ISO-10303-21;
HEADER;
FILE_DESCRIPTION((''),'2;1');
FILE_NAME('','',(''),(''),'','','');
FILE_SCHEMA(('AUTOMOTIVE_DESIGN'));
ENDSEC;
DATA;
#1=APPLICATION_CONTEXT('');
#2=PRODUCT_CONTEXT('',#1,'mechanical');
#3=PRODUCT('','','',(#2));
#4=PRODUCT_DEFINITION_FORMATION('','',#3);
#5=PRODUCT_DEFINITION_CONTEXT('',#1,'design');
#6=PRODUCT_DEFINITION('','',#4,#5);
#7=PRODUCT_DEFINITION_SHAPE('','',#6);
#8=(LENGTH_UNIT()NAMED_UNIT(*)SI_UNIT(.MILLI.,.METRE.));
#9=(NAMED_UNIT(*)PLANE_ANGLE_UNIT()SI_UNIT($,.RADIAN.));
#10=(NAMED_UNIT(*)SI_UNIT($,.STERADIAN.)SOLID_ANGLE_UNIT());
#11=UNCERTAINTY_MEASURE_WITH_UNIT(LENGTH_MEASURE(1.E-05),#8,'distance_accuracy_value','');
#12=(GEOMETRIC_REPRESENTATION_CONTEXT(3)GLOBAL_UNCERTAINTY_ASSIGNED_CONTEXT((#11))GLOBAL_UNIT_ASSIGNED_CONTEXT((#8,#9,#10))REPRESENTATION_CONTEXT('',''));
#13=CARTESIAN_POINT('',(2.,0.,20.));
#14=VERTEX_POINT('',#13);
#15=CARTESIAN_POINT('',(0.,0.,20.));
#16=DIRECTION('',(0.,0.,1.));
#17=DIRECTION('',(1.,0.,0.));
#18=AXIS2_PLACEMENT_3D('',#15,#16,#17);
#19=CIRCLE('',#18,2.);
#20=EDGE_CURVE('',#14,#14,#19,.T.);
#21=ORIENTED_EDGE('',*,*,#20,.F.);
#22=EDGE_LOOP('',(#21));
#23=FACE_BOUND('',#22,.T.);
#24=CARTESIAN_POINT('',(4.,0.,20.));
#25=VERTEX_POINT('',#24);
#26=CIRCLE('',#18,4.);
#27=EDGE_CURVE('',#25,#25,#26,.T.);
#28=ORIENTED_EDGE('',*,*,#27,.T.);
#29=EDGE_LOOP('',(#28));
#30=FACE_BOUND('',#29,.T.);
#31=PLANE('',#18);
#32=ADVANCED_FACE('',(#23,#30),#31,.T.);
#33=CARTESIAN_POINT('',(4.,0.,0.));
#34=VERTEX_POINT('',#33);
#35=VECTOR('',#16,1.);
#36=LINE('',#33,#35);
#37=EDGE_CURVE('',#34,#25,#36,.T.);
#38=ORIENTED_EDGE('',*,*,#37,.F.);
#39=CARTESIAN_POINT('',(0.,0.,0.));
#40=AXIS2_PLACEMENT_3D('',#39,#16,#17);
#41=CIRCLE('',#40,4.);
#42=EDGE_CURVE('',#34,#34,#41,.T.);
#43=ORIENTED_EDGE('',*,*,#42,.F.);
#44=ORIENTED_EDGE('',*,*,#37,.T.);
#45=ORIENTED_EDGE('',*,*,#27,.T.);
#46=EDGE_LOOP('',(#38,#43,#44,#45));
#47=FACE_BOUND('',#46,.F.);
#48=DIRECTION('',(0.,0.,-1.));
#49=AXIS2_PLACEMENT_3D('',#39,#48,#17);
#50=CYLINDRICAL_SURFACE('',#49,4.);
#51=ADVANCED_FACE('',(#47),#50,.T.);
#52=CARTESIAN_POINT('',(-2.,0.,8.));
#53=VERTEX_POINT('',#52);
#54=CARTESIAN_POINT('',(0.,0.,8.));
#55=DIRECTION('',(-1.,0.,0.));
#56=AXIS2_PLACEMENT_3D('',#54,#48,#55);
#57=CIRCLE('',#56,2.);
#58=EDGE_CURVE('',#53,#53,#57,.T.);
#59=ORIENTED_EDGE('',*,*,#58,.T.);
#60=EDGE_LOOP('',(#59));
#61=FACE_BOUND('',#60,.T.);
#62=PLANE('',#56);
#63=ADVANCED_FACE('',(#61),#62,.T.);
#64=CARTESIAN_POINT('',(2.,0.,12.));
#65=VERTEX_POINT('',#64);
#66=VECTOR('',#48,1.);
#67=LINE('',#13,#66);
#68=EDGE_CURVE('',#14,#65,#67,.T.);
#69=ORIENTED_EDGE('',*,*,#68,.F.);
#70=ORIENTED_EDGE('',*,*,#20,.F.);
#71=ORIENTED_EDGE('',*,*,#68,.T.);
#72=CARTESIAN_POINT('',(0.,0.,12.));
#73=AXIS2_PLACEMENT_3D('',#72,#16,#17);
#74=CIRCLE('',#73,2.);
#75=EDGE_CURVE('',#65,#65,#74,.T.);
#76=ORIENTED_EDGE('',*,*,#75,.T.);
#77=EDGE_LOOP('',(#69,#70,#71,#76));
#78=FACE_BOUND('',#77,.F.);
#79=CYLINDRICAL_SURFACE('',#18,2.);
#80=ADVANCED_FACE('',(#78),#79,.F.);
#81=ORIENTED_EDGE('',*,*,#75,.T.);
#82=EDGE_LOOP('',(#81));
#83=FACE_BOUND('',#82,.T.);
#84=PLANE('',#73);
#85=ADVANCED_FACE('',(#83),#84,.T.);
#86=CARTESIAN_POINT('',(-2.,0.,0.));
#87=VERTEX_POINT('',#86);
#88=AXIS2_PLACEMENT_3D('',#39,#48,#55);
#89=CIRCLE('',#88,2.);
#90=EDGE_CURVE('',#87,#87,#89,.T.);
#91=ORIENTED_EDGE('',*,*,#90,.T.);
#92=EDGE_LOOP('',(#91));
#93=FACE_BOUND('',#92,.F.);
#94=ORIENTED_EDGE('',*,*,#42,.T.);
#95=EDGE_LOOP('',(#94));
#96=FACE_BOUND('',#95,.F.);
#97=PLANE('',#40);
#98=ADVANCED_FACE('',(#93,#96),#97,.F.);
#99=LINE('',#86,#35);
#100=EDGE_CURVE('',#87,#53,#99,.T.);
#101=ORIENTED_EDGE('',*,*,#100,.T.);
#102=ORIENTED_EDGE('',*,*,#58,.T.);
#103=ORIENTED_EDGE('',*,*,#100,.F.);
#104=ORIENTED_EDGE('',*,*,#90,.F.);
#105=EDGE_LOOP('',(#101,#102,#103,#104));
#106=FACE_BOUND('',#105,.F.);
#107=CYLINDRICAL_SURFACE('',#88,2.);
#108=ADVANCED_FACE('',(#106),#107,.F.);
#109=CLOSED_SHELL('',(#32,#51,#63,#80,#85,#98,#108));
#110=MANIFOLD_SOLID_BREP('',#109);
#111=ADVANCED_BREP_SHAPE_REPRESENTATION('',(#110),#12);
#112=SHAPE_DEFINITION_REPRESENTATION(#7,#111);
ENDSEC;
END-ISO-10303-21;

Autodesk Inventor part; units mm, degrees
ref_plane "YZ Plane" through (0, 0, 0) normal (1, 0, 0) x (0, 1, 0)
ref_plane "XZ Plane" through (0, 0, 0) normal (0, 1, 0) x (-1, 0, 0)
ref_plane "XY Plane" through (0, 0, 0) normal (0, 0, 1) x (1, 0, 0)
sketch "スケッチ1" plane through (0, 0, 0) normal (0, 0, 1) x (1, 0, 0)
  circle A0 centre (0, 0) radius 4
  dimension "d1" = 8
extrude "押し出し2" add sketch "スケッチ1" along normal blind 20
sketch "スケッチ2" plane through (0, 0, 0) normal (0, 0, -1) x (-1, 0, 0)
  circle A0 centre (0, 0) radius 2
  dimension "d6" = 4
extrude "押し出し3" cut sketch "スケッチ2" against normal blind 8
sketch "スケッチ3" plane through (0, 0, 20) normal (0, 0, 1) x (1, 0, 0)
  circle A0 centre (0, 0) radius 2
  dimension "d9" = 4
extrude "押し出し4" cut sketch "スケッチ3" against normal blind 8
properties part number "M4アルミスペーサー20" material "アルミニウム 7075"
